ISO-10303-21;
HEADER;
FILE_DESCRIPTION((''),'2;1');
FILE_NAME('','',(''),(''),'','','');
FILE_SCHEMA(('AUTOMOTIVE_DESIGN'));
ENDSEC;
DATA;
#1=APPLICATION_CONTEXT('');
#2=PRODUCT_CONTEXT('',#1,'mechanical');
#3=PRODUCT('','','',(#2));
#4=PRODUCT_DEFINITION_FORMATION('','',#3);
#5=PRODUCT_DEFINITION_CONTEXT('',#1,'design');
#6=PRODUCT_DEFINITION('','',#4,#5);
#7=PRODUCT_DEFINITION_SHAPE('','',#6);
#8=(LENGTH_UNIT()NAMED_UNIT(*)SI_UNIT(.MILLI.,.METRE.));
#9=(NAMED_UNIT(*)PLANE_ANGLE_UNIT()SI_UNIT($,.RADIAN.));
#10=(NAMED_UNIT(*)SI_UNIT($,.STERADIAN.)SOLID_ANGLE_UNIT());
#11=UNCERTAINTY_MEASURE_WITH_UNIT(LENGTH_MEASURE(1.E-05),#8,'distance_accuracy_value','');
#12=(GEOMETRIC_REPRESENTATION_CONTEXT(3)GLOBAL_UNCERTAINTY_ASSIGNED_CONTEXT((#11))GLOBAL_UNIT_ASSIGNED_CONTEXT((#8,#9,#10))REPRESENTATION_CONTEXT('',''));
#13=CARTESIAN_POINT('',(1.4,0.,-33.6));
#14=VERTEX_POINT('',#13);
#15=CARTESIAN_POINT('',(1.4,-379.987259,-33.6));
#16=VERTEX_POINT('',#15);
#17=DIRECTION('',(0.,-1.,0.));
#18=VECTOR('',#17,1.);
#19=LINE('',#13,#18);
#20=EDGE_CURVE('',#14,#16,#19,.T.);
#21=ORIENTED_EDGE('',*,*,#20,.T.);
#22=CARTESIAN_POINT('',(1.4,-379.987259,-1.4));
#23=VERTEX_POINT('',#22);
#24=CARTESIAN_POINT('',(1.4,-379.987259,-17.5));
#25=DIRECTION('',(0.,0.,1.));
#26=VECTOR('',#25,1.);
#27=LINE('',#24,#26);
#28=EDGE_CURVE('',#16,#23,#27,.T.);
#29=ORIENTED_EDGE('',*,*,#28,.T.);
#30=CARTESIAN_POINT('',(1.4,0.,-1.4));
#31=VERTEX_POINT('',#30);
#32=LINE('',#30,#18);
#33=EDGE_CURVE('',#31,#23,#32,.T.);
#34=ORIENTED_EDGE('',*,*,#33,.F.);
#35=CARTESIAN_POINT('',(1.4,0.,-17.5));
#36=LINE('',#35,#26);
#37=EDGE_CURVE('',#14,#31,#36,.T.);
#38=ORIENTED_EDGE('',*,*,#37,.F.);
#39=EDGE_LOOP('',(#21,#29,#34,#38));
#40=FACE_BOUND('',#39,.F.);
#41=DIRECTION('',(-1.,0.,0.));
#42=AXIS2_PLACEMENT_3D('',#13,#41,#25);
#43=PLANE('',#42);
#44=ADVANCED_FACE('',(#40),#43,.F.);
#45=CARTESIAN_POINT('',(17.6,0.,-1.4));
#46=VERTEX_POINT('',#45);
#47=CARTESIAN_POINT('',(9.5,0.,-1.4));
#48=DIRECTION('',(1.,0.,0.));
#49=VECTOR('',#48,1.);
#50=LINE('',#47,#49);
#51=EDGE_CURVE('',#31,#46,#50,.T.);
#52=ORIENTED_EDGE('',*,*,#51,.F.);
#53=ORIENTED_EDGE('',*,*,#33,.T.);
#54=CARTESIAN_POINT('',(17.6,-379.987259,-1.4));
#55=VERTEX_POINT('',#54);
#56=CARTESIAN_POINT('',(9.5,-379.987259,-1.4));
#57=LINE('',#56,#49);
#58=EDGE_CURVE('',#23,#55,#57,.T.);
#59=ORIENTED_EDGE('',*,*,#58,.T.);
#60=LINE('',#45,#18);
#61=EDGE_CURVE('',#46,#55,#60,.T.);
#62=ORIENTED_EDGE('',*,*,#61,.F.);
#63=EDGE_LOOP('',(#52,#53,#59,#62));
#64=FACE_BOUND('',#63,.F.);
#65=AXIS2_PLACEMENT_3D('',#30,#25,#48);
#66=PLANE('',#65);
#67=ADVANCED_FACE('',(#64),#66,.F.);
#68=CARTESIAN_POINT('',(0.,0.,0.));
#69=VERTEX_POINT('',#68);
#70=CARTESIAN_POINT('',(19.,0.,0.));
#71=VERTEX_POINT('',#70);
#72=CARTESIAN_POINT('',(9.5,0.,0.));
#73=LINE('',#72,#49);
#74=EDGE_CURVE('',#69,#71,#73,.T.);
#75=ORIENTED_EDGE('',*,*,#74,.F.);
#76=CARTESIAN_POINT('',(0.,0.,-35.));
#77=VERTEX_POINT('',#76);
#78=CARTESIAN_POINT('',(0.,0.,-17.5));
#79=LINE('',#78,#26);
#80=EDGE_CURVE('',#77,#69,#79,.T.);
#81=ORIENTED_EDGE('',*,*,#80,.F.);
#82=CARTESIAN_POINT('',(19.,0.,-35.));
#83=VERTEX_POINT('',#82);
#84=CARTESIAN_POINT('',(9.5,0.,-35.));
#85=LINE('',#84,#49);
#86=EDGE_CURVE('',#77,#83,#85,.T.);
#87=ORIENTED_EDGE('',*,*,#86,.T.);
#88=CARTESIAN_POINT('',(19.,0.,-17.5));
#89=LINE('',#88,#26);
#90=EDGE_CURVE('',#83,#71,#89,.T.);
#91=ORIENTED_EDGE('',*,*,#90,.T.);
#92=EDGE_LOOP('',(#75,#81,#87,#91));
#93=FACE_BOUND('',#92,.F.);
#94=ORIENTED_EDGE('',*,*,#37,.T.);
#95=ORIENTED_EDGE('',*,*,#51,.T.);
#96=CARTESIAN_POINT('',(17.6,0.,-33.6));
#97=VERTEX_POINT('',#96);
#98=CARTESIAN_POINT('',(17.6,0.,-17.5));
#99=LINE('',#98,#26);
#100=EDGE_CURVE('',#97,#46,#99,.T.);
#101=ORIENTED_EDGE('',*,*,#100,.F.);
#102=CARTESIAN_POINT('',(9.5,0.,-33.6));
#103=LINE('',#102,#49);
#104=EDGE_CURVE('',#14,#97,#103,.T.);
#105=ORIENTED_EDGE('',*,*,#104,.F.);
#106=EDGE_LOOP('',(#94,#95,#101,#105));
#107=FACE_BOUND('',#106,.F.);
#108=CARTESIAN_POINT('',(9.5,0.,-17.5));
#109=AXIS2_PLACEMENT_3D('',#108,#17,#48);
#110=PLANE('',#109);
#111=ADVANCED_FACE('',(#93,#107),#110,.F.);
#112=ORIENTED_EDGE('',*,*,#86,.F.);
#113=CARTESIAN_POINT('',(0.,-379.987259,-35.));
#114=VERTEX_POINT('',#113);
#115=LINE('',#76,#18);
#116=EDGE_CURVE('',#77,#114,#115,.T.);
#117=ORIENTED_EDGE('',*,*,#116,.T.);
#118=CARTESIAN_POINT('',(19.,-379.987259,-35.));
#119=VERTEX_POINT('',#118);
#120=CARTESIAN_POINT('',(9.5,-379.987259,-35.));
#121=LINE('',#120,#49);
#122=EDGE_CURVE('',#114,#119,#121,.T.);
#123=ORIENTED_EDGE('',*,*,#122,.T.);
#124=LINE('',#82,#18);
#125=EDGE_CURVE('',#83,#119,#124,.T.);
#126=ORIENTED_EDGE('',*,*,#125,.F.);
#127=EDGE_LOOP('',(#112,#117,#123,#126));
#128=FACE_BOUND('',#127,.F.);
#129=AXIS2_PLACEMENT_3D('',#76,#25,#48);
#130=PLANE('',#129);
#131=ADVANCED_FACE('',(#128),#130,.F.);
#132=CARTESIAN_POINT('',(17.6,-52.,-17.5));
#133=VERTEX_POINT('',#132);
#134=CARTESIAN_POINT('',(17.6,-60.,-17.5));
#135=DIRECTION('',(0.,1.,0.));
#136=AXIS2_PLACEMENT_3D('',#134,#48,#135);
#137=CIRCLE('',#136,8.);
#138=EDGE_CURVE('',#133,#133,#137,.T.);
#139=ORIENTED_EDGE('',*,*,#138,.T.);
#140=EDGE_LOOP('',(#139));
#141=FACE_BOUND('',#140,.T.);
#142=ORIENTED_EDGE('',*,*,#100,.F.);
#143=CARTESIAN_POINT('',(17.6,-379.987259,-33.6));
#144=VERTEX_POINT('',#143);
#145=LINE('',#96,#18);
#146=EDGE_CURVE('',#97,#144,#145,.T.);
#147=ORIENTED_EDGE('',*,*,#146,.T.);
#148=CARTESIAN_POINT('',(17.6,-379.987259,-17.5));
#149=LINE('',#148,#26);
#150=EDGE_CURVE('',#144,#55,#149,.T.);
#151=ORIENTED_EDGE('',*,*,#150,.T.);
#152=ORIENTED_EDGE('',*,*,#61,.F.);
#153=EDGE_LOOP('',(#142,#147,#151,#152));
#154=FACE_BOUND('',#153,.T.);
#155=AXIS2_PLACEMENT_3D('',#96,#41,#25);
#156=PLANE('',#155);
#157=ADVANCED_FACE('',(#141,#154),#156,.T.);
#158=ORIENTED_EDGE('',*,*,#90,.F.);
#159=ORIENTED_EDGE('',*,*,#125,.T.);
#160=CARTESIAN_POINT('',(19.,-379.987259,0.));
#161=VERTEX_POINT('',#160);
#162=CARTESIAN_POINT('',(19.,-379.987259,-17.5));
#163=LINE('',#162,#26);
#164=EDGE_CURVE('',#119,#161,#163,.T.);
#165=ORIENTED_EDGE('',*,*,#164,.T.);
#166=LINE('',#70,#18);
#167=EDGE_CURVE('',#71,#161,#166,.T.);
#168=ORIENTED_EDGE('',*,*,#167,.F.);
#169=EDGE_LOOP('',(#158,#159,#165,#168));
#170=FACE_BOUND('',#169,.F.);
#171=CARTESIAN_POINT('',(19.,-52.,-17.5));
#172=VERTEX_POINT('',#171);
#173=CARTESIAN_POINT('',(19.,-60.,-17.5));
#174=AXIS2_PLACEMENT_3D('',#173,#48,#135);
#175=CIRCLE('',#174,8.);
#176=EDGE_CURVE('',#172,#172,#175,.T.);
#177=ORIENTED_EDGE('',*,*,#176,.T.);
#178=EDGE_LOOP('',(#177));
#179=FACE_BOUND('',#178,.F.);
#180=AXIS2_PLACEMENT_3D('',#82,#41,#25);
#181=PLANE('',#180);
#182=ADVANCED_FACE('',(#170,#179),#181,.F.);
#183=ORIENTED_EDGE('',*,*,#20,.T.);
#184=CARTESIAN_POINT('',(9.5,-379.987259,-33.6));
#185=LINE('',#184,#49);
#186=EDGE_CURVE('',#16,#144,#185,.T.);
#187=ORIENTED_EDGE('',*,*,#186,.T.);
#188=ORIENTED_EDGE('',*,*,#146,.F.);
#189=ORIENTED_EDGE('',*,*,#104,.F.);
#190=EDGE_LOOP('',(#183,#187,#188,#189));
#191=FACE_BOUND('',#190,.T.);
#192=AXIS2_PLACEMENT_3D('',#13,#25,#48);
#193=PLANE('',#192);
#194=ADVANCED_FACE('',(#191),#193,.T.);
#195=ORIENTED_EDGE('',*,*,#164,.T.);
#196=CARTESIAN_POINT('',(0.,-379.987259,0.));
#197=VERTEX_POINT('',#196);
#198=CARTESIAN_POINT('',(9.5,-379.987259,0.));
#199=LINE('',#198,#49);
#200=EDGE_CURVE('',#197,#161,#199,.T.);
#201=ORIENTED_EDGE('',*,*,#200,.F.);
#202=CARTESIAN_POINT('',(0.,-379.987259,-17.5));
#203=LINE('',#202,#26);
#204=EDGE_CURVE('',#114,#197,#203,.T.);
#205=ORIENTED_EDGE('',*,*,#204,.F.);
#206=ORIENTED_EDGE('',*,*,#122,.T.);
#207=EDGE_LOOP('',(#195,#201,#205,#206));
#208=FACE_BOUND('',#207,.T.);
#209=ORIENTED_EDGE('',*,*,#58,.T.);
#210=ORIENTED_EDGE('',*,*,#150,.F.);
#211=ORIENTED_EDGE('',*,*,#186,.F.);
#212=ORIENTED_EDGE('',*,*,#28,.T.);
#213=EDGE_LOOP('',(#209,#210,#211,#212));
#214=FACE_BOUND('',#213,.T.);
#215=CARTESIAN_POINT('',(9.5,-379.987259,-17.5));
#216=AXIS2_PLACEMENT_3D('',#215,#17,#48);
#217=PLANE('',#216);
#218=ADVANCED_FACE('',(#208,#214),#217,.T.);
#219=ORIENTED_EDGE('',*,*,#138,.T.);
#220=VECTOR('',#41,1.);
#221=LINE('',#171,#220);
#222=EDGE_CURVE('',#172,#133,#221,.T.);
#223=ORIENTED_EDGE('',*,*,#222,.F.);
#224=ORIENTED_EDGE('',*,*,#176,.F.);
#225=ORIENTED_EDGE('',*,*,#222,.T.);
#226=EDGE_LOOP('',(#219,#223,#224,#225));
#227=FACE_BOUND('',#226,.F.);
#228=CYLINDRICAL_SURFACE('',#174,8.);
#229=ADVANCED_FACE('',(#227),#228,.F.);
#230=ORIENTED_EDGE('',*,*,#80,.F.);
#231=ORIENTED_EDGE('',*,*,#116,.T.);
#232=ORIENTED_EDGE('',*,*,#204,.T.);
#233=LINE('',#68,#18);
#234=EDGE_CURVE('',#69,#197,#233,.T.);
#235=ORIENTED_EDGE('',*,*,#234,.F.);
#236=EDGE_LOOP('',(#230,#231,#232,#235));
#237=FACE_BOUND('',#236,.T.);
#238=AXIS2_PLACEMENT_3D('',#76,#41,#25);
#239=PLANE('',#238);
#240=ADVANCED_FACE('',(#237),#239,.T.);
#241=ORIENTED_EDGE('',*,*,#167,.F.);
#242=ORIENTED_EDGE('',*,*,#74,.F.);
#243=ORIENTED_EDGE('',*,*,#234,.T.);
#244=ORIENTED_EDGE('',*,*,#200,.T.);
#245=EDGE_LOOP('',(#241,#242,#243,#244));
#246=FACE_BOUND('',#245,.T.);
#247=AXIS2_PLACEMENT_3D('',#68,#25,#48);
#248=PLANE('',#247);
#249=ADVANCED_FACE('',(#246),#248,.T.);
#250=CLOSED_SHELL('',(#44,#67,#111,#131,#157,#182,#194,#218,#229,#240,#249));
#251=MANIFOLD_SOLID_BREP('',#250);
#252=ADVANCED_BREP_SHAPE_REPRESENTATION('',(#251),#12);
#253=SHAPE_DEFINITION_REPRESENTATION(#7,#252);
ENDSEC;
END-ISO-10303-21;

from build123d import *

# Parameters (mm, degrees)
F0_W     = 19
F0_H     = 35
F0_W_2   = 16.2
F0_H_2   = 32.2
F1_DEPTH = 379.987259
F2_R     = 8
F3_DEPTH = 15


with BuildPart() as f1:
    # F0 (on Front) → F1 (new body)
    with BuildSketch(Plane.XZ):
        with Locations((9.5, -17.5)):
            Rectangle(F0_W, F0_H)
        with Locations((9.5, -17.5)):
            Rectangle(F0_W_2, F0_H_2, mode=Mode.SUBTRACT)
    extrude(amount=F1_DEPTH)

    # F2 (on face) → F3 (cut)
    with BuildSketch(Plane.YZ.offset(19)):
        with Locations((-60, -17.5)):
            Circle(F2_R)
    extrude(amount=-F3_DEPTH, mode=Mode.SUBTRACT)


solid = f1.part
